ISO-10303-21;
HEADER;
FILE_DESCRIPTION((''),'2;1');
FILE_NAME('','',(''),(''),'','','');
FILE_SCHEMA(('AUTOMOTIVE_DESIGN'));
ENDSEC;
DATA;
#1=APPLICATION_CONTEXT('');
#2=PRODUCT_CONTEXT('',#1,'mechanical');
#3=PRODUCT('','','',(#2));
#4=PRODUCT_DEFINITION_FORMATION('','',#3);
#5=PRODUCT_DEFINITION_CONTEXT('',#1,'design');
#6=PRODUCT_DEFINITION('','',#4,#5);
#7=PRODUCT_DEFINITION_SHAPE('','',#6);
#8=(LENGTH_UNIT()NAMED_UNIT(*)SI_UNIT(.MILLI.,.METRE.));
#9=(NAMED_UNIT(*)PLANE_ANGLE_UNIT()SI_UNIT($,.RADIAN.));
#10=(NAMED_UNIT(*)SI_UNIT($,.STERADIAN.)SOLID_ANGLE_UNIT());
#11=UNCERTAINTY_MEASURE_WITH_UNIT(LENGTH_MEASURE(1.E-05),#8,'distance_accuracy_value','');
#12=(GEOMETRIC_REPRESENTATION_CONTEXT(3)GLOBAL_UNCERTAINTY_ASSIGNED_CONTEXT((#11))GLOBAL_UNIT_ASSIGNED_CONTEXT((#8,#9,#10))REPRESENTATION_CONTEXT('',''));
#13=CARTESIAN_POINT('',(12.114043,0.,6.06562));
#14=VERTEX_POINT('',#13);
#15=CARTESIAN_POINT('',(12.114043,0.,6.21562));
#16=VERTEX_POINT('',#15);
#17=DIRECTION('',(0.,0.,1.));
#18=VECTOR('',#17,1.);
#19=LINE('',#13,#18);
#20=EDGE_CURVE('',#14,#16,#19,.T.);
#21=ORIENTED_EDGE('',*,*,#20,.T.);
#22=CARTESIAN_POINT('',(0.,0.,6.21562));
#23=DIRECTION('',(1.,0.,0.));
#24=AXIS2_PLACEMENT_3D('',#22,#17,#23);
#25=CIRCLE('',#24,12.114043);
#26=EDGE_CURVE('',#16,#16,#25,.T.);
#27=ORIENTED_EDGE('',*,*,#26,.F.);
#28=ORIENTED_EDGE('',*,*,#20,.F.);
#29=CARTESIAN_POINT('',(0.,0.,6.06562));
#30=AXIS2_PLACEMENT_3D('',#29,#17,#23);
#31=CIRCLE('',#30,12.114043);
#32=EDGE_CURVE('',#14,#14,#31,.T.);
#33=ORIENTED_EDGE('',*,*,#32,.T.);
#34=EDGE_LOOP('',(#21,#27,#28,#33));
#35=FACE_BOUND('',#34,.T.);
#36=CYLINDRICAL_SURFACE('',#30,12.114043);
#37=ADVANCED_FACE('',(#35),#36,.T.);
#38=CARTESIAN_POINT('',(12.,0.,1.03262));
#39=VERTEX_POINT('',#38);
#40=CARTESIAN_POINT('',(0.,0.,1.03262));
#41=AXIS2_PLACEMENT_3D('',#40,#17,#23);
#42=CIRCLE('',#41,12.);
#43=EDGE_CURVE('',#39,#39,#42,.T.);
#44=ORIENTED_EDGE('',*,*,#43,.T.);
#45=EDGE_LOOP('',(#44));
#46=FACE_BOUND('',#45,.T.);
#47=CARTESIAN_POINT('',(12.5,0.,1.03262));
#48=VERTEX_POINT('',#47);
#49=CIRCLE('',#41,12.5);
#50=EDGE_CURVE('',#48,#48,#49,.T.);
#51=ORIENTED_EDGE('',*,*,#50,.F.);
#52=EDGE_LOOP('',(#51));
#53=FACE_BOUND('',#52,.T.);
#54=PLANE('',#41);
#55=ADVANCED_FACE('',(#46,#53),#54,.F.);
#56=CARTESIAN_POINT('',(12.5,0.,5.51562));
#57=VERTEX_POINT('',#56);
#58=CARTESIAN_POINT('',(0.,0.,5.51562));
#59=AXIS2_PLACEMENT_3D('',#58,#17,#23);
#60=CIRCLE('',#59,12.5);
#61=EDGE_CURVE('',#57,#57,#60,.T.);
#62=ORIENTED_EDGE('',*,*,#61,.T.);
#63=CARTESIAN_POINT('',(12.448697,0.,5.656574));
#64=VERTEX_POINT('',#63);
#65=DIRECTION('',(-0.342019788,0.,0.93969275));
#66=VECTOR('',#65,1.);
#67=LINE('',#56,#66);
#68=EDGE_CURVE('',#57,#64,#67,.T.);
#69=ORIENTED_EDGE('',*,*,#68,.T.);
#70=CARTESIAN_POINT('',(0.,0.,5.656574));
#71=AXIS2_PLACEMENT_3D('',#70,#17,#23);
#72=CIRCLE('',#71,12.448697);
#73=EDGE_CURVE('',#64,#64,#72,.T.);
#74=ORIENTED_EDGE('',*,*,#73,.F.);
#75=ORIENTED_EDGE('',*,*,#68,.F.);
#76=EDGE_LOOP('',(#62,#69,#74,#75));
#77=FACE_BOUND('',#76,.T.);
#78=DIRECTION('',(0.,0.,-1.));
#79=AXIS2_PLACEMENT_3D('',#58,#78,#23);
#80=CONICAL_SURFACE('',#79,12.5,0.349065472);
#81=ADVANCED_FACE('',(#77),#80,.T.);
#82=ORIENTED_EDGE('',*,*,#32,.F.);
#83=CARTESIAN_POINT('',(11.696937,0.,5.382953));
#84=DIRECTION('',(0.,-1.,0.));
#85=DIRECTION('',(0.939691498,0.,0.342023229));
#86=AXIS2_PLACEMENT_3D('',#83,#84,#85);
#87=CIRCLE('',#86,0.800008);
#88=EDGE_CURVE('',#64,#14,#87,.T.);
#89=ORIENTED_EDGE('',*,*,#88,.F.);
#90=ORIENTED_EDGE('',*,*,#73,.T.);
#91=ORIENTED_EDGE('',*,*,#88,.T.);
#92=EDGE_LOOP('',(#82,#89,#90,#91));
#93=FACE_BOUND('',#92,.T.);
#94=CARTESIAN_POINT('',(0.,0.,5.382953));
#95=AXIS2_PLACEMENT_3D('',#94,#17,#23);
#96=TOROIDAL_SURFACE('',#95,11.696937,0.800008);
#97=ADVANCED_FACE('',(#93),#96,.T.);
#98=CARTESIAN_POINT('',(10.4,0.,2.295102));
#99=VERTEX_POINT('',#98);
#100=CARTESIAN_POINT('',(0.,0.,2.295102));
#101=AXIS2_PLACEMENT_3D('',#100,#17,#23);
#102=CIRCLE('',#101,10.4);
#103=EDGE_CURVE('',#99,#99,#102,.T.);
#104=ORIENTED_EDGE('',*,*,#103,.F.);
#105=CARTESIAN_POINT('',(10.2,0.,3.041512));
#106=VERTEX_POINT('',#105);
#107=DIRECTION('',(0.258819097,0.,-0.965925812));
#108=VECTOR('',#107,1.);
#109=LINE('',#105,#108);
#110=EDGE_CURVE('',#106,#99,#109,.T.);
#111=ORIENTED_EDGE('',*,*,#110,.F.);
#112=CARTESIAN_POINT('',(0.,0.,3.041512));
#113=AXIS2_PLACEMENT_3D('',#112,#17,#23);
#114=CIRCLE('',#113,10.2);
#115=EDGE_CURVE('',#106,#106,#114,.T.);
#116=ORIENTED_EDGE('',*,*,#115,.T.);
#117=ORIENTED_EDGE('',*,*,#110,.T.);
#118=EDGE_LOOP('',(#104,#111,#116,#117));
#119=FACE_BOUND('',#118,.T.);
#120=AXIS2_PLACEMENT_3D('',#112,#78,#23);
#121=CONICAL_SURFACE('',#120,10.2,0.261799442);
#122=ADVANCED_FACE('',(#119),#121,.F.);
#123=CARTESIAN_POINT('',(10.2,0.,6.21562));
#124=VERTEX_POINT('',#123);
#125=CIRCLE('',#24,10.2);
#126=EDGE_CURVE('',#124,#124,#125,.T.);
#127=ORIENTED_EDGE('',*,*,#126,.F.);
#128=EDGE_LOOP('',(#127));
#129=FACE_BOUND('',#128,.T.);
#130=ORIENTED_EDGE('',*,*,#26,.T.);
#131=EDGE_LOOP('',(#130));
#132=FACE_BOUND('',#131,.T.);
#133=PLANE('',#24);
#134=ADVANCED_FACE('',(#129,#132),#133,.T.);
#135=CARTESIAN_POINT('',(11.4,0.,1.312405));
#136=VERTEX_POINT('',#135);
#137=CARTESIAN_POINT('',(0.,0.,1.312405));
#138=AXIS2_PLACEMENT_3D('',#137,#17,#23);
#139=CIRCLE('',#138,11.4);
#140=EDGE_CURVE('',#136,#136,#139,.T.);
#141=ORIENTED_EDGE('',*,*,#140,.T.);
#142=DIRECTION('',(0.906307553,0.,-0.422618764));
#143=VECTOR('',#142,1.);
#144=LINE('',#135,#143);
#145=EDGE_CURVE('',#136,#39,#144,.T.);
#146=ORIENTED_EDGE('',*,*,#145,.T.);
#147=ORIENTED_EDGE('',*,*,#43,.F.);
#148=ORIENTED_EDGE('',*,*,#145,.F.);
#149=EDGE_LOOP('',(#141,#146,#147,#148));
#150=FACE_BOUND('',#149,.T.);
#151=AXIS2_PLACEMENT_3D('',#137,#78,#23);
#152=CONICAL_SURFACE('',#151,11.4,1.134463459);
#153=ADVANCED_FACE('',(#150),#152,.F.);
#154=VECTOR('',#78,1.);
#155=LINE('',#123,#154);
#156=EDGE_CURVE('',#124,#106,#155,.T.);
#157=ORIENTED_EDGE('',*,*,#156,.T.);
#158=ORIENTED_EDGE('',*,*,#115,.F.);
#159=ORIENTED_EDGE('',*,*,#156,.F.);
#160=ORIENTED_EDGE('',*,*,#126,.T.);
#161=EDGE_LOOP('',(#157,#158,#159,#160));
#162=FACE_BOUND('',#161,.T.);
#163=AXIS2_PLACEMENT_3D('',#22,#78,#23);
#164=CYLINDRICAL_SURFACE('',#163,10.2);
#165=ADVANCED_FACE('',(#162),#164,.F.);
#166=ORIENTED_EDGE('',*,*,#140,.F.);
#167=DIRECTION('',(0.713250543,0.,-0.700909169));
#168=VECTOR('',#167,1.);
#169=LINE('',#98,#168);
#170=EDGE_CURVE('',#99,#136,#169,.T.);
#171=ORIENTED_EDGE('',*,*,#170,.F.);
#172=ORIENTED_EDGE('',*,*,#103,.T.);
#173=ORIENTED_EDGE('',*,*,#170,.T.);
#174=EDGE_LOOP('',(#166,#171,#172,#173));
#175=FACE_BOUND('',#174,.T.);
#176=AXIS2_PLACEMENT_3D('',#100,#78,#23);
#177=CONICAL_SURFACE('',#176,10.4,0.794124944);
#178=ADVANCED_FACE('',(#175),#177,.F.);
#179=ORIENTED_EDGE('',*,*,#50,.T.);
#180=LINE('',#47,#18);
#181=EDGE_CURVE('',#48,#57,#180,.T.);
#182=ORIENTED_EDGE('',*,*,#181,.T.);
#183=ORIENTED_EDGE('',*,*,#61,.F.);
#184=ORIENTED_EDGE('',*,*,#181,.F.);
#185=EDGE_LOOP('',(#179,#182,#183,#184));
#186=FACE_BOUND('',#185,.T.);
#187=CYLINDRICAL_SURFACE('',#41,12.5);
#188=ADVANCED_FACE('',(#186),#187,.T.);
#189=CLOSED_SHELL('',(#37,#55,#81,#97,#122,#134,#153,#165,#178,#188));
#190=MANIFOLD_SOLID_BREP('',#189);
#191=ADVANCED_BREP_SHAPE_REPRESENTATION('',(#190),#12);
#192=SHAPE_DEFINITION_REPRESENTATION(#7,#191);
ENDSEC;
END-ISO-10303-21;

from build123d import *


with BuildPart() as f1:
    # F0 (on Front) → F1 (revolve)
    with BuildSketch(Plane.XZ):
        with BuildLine():
            Line((10.4, 2.295102), (11.4, 1.312405))
            Line((11.4, 1.312405), (12, 1.03262))
            Line((12, 1.03262), (12.5, 1.03262))
            Line((12.5, 1.03262), (12.5, 5.51562))
            Line((12.5, 5.51562), (12.448697, 5.656574))
            ThreePointArc((12.448697, 5.656574), (12.316123, 5.88953), (12.114043, 6.06562))
            Line((12.114043, 6.06562), (12.114043, 6.21562))
            Line((12.114043, 6.21562), (10.2, 6.21562))
            Line((10.2, 6.21562), (10.2, 3.041512))
            Line((10.2, 3.041512), (10.4, 2.295102))
        make_face()
    revolve(axis=Axis((0, 0, 46.703876), (0, 0, 1)))


solid = f1.part
